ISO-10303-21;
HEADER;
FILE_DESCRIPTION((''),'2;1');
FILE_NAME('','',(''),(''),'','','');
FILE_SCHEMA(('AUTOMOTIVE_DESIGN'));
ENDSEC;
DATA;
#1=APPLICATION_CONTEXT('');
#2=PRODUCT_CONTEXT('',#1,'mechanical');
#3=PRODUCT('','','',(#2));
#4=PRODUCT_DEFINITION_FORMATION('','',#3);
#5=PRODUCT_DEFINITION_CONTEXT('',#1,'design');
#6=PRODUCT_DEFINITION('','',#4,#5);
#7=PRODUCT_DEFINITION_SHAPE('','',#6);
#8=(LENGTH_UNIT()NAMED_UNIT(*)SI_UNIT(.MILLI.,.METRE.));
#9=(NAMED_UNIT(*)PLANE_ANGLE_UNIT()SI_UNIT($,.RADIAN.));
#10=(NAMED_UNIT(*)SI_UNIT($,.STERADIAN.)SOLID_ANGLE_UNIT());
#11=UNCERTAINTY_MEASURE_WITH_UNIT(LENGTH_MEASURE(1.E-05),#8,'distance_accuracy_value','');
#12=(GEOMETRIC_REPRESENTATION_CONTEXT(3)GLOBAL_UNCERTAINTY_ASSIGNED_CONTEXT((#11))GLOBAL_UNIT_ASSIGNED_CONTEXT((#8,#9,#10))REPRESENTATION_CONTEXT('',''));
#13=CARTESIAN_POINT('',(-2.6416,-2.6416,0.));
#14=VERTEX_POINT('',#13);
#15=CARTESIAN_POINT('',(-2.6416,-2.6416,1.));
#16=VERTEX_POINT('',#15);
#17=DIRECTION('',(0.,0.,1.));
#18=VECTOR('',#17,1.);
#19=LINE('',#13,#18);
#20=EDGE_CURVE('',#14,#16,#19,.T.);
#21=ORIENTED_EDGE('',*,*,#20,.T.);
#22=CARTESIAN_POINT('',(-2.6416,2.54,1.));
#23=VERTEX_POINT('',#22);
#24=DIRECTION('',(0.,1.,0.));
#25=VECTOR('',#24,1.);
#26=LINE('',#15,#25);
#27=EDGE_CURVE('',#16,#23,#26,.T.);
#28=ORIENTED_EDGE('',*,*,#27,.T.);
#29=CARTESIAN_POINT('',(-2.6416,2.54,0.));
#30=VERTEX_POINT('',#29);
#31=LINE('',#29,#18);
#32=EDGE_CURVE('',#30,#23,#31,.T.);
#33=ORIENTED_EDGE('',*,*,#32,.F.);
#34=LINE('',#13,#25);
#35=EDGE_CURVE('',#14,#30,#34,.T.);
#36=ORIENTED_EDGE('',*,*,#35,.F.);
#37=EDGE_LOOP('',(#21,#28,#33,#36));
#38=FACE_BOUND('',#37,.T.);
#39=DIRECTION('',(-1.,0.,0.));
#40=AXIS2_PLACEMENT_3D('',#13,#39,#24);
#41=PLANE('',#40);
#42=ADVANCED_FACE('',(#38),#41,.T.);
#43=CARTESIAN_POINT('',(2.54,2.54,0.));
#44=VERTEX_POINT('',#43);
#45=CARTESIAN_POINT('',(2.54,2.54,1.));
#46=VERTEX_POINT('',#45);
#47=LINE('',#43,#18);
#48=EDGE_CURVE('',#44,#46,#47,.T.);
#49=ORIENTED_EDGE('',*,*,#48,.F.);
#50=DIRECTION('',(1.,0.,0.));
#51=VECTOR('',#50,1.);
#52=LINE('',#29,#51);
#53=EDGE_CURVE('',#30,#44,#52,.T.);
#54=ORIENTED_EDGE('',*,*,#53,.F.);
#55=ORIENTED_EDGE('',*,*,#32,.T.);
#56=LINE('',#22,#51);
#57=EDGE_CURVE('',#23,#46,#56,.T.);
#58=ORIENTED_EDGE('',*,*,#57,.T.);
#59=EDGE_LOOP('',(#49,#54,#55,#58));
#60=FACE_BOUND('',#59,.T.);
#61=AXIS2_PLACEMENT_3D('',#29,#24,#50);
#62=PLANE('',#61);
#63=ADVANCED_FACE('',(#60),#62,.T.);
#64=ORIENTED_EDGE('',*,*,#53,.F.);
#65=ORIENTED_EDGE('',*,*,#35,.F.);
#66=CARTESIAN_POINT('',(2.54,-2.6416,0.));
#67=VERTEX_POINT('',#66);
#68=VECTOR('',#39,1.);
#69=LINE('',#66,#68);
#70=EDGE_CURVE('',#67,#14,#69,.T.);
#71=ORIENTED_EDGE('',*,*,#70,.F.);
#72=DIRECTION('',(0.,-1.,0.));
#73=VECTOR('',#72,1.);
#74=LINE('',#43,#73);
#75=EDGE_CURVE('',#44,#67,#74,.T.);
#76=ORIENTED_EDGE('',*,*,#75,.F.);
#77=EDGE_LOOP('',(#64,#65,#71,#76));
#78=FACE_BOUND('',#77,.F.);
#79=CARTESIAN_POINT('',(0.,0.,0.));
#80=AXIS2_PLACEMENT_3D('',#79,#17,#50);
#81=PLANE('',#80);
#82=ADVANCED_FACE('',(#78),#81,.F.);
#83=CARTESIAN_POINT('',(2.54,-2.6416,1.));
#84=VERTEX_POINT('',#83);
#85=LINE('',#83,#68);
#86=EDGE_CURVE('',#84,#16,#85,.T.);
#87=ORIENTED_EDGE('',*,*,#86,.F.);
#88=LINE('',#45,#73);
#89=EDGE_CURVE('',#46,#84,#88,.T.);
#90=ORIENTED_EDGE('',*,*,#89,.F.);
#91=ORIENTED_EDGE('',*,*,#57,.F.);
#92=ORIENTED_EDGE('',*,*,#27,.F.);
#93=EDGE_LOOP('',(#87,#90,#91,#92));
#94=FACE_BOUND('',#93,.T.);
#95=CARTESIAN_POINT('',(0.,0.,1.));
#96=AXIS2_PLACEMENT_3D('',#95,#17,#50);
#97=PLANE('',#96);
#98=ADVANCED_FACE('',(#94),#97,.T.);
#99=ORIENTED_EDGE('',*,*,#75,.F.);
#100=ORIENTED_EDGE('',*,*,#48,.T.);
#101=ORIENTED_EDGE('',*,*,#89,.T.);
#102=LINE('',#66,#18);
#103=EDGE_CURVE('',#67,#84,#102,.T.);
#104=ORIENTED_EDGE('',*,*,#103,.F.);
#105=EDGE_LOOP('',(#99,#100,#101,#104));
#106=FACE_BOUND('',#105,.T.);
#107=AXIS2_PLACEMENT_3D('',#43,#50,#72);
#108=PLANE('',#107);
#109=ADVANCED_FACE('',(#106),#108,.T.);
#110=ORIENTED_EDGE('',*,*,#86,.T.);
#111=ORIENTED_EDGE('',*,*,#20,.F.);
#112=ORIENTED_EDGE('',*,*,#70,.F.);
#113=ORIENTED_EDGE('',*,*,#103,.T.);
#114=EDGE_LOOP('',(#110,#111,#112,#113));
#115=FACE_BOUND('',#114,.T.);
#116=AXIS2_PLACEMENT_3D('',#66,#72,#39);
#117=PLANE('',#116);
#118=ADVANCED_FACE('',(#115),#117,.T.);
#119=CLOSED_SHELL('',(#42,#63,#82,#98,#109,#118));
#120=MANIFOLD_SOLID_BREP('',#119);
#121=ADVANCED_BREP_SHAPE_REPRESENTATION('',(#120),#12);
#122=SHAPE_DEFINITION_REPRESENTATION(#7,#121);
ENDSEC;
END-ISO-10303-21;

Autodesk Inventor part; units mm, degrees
ref_plane "YZ Plane" through (0, 0, 0) normal (1, 0, 0) x (0, 1, 0)
ref_plane "XZ Plane" through (0, 0, 0) normal (0, 1, 0) x (-1, 0, 0)
ref_plane "XY Plane" through (0, 0, 0) normal (0, 0, 1) x (1, 0, 0)
sketch "TACTILE_SWITCH_SMD, RESET_51" plane through (0, 0, 0) normal (0, 0, 1) x (1, 0, 0)
  line L0 (-2.6416, 2.54) -> (2.54, 2.54)
  line L1 (2.54, 2.54) -> (2.54, -2.6416)
  line L2 (2.54, -2.6416) -> (-2.6416, -2.6416)
  line L3 (-2.6416, -2.6416) -> (-2.6416, 2.54)
extrude "Extrusion1" add sketch "TACTILE_SWITCH_SMD, RESET_51" along normal blind 1
properties part number "RESET"
